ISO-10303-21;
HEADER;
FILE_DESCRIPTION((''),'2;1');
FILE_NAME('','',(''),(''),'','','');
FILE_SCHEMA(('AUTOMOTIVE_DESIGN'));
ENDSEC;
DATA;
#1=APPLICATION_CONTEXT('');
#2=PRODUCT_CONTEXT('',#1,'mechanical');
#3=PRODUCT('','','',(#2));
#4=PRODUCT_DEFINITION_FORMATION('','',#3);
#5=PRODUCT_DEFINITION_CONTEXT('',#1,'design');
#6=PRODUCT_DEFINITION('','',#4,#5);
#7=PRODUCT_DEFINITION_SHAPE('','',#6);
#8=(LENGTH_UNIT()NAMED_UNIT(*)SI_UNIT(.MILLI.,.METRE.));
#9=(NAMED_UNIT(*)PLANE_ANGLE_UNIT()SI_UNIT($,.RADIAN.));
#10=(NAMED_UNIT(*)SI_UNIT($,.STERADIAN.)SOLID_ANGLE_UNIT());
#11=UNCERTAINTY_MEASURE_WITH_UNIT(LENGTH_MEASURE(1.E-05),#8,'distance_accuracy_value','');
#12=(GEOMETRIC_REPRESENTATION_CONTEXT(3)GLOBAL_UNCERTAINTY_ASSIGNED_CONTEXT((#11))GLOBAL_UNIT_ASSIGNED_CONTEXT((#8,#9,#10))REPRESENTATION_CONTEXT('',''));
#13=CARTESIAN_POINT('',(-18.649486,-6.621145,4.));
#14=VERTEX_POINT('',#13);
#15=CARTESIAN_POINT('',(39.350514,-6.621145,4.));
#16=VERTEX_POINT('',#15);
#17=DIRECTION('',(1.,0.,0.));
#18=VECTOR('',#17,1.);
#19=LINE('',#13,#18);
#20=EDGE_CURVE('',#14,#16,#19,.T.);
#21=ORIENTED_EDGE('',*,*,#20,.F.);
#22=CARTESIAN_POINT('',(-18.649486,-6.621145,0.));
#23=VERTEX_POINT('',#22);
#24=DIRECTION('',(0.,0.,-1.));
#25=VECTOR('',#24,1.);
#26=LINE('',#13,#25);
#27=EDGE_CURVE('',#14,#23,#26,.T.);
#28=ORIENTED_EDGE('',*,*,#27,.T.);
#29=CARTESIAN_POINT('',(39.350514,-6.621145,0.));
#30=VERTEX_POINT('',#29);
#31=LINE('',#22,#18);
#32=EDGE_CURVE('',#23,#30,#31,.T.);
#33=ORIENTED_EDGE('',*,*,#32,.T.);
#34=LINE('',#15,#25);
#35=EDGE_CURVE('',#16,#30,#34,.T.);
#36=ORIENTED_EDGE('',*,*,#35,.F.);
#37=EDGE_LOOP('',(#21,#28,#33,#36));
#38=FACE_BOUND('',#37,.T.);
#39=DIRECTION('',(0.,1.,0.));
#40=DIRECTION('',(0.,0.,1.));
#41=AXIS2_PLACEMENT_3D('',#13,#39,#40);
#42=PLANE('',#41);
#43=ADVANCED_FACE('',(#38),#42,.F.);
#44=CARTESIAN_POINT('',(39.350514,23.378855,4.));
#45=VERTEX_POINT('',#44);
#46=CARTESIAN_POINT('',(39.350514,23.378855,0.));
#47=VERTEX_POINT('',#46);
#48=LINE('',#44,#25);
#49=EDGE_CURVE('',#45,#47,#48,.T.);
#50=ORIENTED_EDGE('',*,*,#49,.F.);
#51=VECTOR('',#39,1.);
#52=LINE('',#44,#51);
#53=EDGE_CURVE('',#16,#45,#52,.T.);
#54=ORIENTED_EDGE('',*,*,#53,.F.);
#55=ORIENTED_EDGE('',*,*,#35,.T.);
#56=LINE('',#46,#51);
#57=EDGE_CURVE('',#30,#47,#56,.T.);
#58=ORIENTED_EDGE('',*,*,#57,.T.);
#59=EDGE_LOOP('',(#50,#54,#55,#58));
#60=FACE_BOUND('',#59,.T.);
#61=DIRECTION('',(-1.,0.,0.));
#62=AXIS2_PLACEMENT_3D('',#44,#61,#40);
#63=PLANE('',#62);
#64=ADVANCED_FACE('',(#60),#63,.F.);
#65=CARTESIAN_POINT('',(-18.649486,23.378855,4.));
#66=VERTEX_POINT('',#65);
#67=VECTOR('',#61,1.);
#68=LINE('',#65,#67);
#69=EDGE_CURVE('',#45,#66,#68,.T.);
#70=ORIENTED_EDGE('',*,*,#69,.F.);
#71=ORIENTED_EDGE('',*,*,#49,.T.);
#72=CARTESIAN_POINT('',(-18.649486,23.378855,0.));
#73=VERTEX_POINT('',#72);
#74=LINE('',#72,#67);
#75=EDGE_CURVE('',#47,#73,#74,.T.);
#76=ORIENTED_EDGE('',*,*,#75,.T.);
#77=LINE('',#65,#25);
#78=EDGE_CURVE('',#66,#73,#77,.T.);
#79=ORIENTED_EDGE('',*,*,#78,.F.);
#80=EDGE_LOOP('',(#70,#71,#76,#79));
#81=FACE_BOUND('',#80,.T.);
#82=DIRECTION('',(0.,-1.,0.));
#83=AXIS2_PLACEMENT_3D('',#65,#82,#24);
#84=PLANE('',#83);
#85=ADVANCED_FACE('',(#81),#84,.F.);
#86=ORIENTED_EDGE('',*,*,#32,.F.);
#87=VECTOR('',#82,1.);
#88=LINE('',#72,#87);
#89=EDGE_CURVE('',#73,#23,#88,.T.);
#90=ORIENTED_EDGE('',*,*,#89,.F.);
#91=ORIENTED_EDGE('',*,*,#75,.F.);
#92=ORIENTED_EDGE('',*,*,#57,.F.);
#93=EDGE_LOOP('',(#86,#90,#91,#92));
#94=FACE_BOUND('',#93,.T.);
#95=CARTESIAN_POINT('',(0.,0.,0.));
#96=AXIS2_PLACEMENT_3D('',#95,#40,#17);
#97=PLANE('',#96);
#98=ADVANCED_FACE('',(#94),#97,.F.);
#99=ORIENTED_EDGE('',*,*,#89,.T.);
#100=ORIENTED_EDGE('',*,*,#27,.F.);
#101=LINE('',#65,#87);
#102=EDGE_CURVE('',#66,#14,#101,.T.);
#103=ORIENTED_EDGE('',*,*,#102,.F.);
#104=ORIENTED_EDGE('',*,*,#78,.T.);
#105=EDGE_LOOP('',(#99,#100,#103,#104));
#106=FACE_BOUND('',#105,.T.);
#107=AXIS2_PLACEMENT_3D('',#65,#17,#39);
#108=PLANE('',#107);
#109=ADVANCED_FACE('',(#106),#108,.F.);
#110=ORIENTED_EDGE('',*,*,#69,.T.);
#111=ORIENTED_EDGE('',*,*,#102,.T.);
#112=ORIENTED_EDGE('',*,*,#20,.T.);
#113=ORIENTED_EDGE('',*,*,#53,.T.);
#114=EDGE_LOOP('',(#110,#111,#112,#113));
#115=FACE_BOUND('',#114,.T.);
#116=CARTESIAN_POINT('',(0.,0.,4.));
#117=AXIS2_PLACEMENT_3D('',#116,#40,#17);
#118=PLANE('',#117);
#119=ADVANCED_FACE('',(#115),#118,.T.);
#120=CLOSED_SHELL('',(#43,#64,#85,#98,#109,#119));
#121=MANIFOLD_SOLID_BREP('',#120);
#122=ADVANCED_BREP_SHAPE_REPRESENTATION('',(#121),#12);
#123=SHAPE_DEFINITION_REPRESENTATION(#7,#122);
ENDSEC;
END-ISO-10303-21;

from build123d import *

# Parameters (mm, degrees)
SKETCH1_W           = 58
SKETCH1_H           = 30
BOSS_EXTRUDE1_DEPTH = 4


with BuildPart() as part:
    # Sketch1 → Boss-Extrude1 (new body)
    with BuildSketch(Plane.XY):
        with Locations((10.350514428, 8.378854626)):
            Rectangle(SKETCH1_W, SKETCH1_H)
    extrude(amount=BOSS_EXTRUDE1_DEPTH)


solid = part.part
